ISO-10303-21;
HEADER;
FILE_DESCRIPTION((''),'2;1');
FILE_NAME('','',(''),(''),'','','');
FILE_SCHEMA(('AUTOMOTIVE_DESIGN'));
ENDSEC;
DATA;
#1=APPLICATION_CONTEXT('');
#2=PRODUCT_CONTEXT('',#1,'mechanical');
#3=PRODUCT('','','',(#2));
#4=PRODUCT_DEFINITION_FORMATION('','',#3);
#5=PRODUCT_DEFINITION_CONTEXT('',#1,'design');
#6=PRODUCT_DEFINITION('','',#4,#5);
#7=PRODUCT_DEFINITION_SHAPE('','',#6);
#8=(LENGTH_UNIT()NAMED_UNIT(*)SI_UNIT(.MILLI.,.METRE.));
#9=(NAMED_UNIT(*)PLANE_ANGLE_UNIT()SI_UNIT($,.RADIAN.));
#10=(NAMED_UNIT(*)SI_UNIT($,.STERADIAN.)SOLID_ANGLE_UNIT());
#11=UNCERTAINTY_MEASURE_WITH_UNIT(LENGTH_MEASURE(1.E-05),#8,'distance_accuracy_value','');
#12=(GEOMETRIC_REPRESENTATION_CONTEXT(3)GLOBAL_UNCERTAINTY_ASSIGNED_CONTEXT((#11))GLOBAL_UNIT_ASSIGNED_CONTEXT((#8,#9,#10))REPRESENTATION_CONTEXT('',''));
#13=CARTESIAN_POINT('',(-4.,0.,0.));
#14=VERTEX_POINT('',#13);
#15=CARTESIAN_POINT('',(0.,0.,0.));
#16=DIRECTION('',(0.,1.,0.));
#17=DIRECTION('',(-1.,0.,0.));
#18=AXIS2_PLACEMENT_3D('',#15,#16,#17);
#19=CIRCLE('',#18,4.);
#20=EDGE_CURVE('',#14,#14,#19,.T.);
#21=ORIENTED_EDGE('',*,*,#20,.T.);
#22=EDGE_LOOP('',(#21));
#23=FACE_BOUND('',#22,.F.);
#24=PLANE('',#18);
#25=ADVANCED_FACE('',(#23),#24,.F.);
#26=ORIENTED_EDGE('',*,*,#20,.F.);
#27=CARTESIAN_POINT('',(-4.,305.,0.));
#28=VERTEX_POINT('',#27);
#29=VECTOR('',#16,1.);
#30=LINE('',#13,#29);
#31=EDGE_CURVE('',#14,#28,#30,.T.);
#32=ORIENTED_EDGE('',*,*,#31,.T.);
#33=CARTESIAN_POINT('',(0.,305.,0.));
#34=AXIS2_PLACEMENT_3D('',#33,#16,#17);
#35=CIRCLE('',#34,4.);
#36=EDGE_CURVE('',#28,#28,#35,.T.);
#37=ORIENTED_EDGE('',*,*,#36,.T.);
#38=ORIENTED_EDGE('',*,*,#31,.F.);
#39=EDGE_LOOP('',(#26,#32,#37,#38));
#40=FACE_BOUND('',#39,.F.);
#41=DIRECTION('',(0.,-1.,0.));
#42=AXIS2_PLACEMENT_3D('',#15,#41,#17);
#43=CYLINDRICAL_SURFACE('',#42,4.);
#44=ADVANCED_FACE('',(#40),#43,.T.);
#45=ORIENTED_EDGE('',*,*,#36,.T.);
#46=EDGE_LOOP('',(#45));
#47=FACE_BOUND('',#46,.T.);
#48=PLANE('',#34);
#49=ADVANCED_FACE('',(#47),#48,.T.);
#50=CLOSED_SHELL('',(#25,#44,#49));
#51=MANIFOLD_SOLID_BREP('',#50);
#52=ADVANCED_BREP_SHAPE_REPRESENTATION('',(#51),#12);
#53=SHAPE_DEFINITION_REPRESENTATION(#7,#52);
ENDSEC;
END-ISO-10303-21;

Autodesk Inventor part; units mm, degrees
ref_plane "YZ Plane" through (0, 0, 0) normal (1, 0, 0) x (0, 1, 0)
ref_plane "XZ Plane" through (0, 0, 0) normal (0, 1, 0) x (-1, 0, 0)
ref_plane "XY Plane" through (0, 0, 0) normal (0, 0, 1) x (1, 0, 0)
sketch "Sketch1" plane through (0, 0, 0) normal (0, 1, 0) x (-1, 0, 0)
  circle A0 centre (0, 0) radius 4
  dimension "d0" = 305
extrude "Extrusion1" add sketch "Sketch1" along normal blind 305
properties part number "SmoothRods" material "Steel, High Strength, Low Alloy"
